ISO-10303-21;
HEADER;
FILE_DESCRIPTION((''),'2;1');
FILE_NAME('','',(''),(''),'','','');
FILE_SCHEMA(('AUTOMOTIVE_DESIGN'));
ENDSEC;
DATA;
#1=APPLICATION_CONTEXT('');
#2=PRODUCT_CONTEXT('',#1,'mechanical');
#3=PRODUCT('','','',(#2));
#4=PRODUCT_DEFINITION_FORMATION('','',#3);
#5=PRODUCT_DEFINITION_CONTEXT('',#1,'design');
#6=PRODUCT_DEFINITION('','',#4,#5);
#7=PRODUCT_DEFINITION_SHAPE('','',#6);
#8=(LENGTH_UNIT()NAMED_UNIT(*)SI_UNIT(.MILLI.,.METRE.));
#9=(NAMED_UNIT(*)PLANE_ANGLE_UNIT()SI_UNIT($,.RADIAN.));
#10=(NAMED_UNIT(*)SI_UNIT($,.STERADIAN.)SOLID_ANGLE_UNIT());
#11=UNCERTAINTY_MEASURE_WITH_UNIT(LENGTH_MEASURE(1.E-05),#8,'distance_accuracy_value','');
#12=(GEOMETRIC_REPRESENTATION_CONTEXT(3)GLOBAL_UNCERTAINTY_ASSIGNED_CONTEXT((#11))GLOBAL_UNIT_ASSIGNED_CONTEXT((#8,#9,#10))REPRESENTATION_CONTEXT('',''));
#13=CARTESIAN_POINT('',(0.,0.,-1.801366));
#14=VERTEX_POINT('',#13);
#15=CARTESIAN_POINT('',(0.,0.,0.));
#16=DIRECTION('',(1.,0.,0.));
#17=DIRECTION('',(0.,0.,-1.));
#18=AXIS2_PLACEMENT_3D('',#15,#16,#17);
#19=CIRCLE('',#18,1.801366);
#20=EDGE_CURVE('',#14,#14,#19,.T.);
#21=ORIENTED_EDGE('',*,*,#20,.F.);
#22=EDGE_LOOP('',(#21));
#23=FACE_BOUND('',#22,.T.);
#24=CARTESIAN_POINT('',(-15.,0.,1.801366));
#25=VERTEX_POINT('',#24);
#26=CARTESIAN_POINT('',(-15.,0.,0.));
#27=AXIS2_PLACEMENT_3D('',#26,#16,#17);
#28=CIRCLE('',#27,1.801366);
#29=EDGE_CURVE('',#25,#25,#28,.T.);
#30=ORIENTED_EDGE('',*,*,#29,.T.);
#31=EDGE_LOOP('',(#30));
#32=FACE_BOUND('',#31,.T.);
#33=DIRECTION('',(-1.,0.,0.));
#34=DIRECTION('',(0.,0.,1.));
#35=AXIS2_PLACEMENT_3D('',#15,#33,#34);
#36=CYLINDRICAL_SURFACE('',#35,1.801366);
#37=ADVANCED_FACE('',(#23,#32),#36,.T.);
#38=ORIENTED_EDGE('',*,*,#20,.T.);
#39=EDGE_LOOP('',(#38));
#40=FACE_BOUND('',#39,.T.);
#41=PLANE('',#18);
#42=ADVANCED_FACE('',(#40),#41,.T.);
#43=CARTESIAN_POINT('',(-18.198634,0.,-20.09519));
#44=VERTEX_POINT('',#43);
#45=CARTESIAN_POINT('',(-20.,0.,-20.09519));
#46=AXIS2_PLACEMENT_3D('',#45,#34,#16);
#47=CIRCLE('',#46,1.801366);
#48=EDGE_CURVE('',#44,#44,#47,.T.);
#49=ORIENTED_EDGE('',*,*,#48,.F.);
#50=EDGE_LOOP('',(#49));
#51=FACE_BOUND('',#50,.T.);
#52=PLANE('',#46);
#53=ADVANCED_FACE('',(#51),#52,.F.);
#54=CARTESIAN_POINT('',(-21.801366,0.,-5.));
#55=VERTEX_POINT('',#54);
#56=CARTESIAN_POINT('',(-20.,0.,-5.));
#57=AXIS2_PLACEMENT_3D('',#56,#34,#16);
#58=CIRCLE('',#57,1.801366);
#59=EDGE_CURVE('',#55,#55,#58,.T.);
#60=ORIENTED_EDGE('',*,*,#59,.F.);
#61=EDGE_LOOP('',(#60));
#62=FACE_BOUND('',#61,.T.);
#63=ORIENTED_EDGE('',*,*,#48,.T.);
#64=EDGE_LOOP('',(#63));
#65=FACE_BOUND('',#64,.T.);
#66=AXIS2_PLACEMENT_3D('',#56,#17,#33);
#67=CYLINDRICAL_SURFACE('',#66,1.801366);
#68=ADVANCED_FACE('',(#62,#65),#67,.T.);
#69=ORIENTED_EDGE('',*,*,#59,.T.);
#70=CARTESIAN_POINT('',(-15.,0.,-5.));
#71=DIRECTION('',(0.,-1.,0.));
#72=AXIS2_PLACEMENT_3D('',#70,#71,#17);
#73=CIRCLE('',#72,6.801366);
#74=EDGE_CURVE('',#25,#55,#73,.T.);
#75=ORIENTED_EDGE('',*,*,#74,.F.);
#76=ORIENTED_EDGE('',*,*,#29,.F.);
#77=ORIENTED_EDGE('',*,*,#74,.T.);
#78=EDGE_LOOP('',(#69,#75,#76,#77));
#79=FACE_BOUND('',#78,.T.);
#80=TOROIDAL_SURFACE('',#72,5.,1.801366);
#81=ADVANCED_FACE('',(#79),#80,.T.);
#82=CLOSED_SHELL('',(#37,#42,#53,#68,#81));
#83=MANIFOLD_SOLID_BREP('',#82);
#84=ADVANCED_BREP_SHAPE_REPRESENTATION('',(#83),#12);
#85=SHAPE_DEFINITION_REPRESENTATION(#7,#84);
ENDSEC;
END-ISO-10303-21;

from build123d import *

# Parameters (mm, degrees)
CROQUIS2_R = 1.801365654


with BuildPart() as part:
    # Barrer1: sweep along a path in Croquis34
    with BuildLine(Plane(origin=(0, 0, 0), x_dir=(1, 0, 0), z_dir=(0, 1, 0))) as barrer1_path:
        Line((0, 0), (-15, 0))
        ThreePointArc((-15, 0), (-18.535533906, 1.464466094), (-20, 5))
        Line((-20, 5), (-20, 20.095189644))
    # Croquis2 → Barrer1 (sweep)
    with BuildSketch(Plane(origin=(0, 0, 0), x_dir=(0, 0, -1), z_dir=(1, 0, 0))):
        Circle(CROQUIS2_R)
    sweep(path=barrer1_path.line)


solid = part.part
